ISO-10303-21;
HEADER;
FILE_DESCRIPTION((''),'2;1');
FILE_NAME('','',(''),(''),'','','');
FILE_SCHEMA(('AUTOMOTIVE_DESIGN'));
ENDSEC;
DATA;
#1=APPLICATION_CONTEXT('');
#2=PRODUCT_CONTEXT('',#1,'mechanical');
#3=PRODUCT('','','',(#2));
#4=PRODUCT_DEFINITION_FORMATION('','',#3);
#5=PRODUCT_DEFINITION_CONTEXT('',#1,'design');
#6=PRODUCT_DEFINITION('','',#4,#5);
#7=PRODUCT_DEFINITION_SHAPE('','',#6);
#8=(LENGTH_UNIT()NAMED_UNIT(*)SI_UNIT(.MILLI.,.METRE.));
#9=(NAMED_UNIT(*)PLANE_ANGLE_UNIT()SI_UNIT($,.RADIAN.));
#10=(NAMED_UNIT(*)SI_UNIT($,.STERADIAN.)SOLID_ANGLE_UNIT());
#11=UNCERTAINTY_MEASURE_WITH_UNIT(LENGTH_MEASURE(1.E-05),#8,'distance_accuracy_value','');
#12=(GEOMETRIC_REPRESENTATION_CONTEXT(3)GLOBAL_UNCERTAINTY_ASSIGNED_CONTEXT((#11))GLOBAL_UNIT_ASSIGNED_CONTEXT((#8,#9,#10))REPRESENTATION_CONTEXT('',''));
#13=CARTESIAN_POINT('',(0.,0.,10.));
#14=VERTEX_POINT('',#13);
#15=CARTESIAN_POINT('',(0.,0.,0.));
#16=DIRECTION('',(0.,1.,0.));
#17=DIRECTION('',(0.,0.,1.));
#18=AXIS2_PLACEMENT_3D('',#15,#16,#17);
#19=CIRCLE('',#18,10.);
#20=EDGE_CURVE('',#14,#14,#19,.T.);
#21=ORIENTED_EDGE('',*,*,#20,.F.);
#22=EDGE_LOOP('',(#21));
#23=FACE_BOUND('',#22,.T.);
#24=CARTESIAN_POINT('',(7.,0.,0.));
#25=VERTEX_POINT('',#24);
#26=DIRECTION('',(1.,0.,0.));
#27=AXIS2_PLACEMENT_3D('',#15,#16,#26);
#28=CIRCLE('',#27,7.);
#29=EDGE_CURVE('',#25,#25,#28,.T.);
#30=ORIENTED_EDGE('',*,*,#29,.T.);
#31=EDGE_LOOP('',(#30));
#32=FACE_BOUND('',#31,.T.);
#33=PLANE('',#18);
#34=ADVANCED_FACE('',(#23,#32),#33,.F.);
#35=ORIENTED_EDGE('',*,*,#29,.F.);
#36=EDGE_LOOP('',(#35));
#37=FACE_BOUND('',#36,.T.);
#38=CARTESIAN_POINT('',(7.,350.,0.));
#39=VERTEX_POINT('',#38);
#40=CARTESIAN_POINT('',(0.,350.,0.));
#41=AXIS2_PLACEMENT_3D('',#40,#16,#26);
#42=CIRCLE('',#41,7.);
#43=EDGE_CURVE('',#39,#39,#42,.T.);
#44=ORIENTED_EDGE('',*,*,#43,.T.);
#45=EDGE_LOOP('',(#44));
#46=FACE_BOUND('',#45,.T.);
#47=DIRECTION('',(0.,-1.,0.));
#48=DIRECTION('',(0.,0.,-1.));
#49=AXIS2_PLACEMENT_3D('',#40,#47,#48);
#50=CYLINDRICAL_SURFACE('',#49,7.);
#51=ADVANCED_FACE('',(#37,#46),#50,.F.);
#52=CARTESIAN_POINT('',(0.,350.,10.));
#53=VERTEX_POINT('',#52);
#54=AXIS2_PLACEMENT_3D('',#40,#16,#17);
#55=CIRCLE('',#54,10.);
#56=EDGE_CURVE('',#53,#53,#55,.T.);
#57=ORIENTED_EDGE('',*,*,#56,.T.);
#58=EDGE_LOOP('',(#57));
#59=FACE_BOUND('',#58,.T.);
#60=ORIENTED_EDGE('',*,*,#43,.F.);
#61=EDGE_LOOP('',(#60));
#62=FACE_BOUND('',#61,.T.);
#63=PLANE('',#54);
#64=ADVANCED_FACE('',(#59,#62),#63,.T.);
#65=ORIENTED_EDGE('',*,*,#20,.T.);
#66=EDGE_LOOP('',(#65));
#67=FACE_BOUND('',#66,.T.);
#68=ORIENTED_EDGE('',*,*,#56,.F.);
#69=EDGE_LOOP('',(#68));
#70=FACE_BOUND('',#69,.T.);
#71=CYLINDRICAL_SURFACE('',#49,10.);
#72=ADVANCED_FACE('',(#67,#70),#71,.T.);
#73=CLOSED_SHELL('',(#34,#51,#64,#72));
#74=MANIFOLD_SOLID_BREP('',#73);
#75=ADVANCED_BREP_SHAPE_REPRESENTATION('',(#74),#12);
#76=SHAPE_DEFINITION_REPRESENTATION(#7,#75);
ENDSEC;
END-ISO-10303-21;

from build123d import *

# Parameters (mm, degrees)
SKETCH_1_R      = 10
SKETCH_1_R_2    = 7
EXTRUDE_1_DEPTH = 350


with BuildPart() as part:
    # 草图1 → 拉伸-薄壁1 (new body)
    with BuildSketch(Plane(origin=(0, 0, 0), x_dir=(1, 0, 0), z_dir=(0, 1, 0))):
        Circle(SKETCH_1_R)
        Circle(SKETCH_1_R_2, mode=Mode.SUBTRACT)
    extrude(amount=EXTRUDE_1_DEPTH)


solid = part.part
